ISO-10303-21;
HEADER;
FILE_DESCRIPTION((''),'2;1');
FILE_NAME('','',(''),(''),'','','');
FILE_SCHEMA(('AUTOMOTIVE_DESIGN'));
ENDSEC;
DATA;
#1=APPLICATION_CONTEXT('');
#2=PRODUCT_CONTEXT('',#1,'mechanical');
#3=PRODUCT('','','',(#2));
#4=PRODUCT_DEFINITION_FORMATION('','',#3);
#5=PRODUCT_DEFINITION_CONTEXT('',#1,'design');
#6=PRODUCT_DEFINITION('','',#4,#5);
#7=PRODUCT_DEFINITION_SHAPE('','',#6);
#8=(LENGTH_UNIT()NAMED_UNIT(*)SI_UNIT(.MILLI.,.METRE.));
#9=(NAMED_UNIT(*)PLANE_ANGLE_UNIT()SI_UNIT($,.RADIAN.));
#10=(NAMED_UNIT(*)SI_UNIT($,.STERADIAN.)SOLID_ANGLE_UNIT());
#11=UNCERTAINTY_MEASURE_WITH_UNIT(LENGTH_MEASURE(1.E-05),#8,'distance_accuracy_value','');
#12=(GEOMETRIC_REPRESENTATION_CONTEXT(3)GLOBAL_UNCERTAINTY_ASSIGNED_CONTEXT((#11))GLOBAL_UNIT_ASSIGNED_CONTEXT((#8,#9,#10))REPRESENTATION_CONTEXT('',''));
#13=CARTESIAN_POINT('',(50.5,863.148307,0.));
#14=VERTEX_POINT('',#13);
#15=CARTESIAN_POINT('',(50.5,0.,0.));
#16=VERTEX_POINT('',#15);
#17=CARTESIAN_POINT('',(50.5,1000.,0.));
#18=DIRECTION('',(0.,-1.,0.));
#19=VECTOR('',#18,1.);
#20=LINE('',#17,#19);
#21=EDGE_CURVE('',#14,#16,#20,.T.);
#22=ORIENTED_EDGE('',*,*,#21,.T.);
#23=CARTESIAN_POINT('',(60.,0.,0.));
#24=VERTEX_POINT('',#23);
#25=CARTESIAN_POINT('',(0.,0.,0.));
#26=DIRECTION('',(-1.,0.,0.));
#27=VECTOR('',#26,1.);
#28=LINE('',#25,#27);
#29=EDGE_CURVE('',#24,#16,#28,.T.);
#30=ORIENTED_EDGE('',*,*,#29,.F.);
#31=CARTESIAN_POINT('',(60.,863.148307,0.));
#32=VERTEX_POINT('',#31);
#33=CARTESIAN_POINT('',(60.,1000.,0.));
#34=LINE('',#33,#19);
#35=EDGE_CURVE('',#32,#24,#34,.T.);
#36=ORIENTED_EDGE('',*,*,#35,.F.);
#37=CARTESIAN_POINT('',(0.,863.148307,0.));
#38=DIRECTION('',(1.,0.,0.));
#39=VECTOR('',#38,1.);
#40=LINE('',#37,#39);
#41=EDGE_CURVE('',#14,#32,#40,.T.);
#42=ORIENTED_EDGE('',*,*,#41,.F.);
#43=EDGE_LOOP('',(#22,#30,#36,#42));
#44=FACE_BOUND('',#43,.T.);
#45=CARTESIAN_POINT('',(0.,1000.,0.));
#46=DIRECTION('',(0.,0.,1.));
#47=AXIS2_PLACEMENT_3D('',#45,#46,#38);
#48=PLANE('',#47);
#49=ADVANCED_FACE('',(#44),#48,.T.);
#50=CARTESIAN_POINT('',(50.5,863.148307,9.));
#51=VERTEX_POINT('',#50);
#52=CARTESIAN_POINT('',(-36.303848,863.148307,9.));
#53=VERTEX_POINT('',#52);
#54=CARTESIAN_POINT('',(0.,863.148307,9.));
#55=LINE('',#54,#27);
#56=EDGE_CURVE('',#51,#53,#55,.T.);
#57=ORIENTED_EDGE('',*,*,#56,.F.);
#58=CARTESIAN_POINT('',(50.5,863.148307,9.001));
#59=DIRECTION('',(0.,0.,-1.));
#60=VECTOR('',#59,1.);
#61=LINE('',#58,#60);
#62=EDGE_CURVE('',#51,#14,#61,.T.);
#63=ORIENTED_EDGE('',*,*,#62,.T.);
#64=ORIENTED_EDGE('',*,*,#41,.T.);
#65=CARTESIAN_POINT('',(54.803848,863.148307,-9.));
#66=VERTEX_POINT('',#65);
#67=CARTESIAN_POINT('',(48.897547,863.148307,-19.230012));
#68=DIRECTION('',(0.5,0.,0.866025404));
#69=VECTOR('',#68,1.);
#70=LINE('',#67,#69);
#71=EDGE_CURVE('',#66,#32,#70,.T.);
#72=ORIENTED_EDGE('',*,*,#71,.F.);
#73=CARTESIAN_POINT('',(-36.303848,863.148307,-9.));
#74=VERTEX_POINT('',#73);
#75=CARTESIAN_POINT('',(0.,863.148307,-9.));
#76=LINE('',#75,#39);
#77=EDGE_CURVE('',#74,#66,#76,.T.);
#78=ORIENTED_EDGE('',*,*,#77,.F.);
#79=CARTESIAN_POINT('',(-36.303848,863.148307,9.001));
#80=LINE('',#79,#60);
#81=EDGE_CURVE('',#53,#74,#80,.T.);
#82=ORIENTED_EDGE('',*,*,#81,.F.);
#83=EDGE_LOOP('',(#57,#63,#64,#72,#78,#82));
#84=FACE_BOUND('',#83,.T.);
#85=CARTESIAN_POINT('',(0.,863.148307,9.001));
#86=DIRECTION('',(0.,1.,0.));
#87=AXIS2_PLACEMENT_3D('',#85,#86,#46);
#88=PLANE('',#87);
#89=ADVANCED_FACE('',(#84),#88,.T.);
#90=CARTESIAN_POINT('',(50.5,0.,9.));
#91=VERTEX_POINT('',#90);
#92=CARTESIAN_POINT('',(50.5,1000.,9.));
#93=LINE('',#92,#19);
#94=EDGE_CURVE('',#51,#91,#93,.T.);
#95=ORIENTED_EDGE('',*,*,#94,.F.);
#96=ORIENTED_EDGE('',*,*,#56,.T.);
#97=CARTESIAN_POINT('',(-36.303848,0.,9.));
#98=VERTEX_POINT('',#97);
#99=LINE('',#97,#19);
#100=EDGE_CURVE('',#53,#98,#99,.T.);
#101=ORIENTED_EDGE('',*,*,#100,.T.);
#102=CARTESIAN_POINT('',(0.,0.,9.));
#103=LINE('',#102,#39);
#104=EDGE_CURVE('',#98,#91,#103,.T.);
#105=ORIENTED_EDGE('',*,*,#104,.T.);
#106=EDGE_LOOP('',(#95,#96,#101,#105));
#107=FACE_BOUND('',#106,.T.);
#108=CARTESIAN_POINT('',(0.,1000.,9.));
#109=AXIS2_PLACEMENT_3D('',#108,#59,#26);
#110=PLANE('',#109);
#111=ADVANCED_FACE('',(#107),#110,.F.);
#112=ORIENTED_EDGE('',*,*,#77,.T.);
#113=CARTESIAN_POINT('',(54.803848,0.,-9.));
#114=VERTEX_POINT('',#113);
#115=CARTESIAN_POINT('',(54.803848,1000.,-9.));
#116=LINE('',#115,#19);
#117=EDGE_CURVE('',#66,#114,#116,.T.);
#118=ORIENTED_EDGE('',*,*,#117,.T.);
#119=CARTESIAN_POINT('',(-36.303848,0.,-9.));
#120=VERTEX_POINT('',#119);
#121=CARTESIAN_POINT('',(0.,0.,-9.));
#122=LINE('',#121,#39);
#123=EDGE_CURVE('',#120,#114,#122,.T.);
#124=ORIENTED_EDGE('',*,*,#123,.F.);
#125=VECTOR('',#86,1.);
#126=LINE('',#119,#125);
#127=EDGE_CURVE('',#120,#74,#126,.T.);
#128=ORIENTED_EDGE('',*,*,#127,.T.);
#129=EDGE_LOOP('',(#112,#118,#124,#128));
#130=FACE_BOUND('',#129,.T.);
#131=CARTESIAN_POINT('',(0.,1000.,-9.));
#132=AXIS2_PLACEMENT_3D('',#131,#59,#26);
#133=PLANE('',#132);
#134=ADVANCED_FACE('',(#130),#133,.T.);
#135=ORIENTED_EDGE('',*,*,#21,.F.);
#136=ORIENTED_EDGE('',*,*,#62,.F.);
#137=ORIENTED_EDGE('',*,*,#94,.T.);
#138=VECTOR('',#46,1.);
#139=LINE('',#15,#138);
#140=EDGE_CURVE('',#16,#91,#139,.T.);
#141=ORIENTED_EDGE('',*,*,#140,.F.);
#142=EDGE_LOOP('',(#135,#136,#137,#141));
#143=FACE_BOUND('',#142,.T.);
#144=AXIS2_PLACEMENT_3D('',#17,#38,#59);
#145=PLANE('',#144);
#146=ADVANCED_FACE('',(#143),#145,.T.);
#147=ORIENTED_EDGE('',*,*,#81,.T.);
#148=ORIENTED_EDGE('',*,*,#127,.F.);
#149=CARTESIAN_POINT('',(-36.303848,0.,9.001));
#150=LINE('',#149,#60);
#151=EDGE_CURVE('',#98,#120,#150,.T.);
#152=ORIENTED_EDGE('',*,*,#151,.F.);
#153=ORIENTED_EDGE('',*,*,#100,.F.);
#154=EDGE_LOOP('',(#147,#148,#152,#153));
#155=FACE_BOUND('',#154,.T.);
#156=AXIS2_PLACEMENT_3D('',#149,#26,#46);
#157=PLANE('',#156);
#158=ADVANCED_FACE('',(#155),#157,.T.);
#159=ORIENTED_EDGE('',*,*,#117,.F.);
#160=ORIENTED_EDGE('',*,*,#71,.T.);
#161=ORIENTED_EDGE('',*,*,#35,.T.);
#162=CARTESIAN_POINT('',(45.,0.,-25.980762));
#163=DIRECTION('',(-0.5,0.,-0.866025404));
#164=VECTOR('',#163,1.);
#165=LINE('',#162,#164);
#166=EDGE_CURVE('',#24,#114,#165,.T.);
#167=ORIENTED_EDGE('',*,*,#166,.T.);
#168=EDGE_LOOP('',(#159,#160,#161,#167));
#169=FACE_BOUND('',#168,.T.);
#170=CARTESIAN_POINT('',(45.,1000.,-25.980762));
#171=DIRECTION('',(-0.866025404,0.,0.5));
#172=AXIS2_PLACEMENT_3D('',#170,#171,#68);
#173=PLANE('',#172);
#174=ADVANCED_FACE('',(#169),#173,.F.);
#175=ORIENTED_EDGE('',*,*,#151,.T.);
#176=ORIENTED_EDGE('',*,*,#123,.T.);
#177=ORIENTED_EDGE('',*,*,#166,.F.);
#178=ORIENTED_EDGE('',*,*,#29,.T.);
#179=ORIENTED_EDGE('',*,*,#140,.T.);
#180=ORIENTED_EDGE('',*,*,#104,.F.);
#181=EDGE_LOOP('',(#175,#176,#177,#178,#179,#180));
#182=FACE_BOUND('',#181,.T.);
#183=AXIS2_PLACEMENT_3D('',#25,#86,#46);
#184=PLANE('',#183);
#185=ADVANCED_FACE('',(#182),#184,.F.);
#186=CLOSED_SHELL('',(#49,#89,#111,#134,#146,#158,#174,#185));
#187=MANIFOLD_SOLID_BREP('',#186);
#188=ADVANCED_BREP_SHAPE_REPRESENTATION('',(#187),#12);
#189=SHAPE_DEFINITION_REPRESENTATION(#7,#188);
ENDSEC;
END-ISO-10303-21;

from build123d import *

# Parameters (mm, degrees)
SHAPE_DEPTH        = 1000
CUT_EXTRUDE8_REACH = 20
SKETCH10_W         = 5.196152423
SKETCH10_H         = 136.851692929
SKETCH10_W_2       = 91.107695154
SKETCH10_W_3       = 23.696152423
SKETCH10_H_2       = 863.148307071


with BuildPart() as part:
    # Sketch1 → Shape (new body)
    with BuildSketch(Plane(origin=(0, 0, 0), x_dir=(1, 0, 0), z_dir=(0, 1, 0))):
        Polygon((-41.5, 0), (-60, 0), (-60, -9), (50.5, -9), (50.5, 0), (60, 0), (54.803847577, 9), (-36.303847577, 9), align=None)
    extrude(amount=SHAPE_DEPTH)

    # Sketch10 → Cut-Extrude8 (cut, up to next)
    with BuildSketch(Plane(origin=(0, 0, -9), x_dir=(-1, 0, 0), z_dir=(0, 0, -1)), mode=Mode.PRIVATE) as cut_extrude8_sk1:
        with Locations((-57.401923789, 931.574153536)):
            Rectangle(SKETCH10_W, SKETCH10_H)
    cut_extrude8_tool1 = extrude(cut_extrude8_sk1.sketch, amount=-CUT_EXTRUDE8_REACH, mode=Mode.PRIVATE) & part.part
    add(cut_extrude8_tool1.solids().sort_by_distance((57.401924, 931.574154, -9))[0], mode=Mode.SUBTRACT)
    # Sketch10 → Cut-Extrude8 (cut, up to next)
    with BuildSketch(Plane(origin=(0, 0, -9), x_dir=(-1, 0, 0), z_dir=(0, 0, -1)), mode=Mode.PRIVATE) as cut_extrude8_sk2:
        with Locations((-9.25, 931.574153536)):
            Rectangle(SKETCH10_W_2, SKETCH10_H)
    cut_extrude8_tool2 = extrude(cut_extrude8_sk2.sketch, amount=-CUT_EXTRUDE8_REACH, mode=Mode.PRIVATE) & part.part
    add(cut_extrude8_tool2.solids().sort_by_distance((9.25, 931.574154, -9))[0], mode=Mode.SUBTRACT)
    # Sketch10 → Cut-Extrude8 (cut, up to next)
    with BuildSketch(Plane(origin=(0, 0, -9), x_dir=(-1, 0, 0), z_dir=(0, 0, -1)), mode=Mode.PRIVATE) as cut_extrude8_sk3:
        with Locations((48.151923788, 931.574153536)):
            Rectangle(SKETCH10_W_3, SKETCH10_H)
    cut_extrude8_tool3 = extrude(cut_extrude8_sk3.sketch, amount=-CUT_EXTRUDE8_REACH, mode=Mode.PRIVATE) & part.part
    add(cut_extrude8_tool3.solids().sort_by_distance((-48.151924, 931.574154, -9))[0], mode=Mode.SUBTRACT)
    # Sketch10 → Cut-Extrude8 (cut, up to next)
    with BuildSketch(Plane(origin=(0, 0, -9), x_dir=(-1, 0, 0), z_dir=(0, 0, -1)), mode=Mode.PRIVATE) as cut_extrude8_sk4:
        with Locations((48.151923788, 431.574153536)):
            Rectangle(SKETCH10_W_3, SKETCH10_H_2)
    cut_extrude8_tool4 = extrude(cut_extrude8_sk4.sketch, amount=-CUT_EXTRUDE8_REACH, mode=Mode.PRIVATE) & part.part
    add(cut_extrude8_tool4.solids().sort_by_distance((-48.151924, 431.574154, -9))[0], mode=Mode.SUBTRACT)


solid = part.part
